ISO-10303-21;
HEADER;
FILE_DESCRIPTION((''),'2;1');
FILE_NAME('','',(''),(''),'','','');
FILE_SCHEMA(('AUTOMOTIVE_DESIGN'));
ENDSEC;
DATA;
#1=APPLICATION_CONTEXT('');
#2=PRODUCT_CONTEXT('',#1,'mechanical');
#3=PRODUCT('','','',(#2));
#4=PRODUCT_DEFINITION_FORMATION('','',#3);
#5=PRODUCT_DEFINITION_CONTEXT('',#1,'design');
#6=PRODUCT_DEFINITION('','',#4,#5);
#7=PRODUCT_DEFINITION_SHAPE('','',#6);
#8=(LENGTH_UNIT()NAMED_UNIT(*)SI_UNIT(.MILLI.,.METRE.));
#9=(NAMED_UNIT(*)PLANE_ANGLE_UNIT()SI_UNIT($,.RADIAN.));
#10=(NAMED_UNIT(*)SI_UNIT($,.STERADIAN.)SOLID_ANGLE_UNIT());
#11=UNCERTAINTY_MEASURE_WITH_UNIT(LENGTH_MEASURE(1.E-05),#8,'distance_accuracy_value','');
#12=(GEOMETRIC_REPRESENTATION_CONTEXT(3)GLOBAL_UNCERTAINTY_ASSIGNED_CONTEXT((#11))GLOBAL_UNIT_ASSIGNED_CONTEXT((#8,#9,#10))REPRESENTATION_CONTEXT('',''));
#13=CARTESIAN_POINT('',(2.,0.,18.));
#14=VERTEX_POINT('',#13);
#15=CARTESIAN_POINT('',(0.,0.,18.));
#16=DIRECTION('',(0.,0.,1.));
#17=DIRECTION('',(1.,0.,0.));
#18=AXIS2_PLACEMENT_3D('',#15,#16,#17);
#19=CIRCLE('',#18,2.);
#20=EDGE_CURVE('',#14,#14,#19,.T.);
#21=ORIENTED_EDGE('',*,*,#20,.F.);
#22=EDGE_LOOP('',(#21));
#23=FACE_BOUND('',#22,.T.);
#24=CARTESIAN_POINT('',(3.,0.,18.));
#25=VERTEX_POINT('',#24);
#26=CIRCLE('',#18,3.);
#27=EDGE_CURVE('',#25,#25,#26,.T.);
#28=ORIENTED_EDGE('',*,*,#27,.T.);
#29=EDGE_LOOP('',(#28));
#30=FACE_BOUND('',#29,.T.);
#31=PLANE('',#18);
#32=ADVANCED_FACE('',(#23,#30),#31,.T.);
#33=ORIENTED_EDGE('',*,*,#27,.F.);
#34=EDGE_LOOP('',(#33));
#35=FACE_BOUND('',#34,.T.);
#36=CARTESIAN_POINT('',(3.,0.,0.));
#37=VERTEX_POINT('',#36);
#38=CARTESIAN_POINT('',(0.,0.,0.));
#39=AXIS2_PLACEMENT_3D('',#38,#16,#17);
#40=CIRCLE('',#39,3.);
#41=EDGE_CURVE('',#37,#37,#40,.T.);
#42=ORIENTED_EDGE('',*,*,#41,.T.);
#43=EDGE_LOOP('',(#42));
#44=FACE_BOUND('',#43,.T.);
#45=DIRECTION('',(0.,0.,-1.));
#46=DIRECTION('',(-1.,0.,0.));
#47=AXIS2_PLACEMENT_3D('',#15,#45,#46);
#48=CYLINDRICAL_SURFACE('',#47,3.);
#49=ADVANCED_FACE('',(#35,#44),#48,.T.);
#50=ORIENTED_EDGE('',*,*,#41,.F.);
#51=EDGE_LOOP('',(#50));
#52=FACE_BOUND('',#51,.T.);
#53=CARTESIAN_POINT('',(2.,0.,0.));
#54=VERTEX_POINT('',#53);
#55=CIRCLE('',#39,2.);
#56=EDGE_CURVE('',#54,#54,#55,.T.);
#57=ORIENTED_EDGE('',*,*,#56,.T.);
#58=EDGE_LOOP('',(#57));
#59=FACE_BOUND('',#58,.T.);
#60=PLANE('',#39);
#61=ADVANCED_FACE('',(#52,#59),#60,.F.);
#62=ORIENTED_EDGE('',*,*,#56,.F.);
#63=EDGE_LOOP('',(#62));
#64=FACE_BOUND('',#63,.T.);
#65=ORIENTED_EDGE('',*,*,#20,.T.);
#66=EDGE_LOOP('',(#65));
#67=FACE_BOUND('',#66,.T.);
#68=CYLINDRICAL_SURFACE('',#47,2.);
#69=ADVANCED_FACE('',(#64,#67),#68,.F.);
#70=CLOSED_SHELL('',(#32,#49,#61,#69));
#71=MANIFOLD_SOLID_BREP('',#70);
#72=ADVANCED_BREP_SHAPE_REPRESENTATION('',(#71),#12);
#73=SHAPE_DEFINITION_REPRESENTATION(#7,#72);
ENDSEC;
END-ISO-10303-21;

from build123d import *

# Parameters (mm, degrees)
SKETCH_1_R      = 3
SKETCH_1_R_2    = 2
EXTRUDE_1_DEPTH = 18


with BuildPart() as part:
    # 草图1 → 凸台-拉伸1 (new body)
    with BuildSketch(Plane.XY):
        Circle(SKETCH_1_R)
        Circle(SKETCH_1_R_2, mode=Mode.SUBTRACT)
    extrude(amount=EXTRUDE_1_DEPTH)


solid = part.part
